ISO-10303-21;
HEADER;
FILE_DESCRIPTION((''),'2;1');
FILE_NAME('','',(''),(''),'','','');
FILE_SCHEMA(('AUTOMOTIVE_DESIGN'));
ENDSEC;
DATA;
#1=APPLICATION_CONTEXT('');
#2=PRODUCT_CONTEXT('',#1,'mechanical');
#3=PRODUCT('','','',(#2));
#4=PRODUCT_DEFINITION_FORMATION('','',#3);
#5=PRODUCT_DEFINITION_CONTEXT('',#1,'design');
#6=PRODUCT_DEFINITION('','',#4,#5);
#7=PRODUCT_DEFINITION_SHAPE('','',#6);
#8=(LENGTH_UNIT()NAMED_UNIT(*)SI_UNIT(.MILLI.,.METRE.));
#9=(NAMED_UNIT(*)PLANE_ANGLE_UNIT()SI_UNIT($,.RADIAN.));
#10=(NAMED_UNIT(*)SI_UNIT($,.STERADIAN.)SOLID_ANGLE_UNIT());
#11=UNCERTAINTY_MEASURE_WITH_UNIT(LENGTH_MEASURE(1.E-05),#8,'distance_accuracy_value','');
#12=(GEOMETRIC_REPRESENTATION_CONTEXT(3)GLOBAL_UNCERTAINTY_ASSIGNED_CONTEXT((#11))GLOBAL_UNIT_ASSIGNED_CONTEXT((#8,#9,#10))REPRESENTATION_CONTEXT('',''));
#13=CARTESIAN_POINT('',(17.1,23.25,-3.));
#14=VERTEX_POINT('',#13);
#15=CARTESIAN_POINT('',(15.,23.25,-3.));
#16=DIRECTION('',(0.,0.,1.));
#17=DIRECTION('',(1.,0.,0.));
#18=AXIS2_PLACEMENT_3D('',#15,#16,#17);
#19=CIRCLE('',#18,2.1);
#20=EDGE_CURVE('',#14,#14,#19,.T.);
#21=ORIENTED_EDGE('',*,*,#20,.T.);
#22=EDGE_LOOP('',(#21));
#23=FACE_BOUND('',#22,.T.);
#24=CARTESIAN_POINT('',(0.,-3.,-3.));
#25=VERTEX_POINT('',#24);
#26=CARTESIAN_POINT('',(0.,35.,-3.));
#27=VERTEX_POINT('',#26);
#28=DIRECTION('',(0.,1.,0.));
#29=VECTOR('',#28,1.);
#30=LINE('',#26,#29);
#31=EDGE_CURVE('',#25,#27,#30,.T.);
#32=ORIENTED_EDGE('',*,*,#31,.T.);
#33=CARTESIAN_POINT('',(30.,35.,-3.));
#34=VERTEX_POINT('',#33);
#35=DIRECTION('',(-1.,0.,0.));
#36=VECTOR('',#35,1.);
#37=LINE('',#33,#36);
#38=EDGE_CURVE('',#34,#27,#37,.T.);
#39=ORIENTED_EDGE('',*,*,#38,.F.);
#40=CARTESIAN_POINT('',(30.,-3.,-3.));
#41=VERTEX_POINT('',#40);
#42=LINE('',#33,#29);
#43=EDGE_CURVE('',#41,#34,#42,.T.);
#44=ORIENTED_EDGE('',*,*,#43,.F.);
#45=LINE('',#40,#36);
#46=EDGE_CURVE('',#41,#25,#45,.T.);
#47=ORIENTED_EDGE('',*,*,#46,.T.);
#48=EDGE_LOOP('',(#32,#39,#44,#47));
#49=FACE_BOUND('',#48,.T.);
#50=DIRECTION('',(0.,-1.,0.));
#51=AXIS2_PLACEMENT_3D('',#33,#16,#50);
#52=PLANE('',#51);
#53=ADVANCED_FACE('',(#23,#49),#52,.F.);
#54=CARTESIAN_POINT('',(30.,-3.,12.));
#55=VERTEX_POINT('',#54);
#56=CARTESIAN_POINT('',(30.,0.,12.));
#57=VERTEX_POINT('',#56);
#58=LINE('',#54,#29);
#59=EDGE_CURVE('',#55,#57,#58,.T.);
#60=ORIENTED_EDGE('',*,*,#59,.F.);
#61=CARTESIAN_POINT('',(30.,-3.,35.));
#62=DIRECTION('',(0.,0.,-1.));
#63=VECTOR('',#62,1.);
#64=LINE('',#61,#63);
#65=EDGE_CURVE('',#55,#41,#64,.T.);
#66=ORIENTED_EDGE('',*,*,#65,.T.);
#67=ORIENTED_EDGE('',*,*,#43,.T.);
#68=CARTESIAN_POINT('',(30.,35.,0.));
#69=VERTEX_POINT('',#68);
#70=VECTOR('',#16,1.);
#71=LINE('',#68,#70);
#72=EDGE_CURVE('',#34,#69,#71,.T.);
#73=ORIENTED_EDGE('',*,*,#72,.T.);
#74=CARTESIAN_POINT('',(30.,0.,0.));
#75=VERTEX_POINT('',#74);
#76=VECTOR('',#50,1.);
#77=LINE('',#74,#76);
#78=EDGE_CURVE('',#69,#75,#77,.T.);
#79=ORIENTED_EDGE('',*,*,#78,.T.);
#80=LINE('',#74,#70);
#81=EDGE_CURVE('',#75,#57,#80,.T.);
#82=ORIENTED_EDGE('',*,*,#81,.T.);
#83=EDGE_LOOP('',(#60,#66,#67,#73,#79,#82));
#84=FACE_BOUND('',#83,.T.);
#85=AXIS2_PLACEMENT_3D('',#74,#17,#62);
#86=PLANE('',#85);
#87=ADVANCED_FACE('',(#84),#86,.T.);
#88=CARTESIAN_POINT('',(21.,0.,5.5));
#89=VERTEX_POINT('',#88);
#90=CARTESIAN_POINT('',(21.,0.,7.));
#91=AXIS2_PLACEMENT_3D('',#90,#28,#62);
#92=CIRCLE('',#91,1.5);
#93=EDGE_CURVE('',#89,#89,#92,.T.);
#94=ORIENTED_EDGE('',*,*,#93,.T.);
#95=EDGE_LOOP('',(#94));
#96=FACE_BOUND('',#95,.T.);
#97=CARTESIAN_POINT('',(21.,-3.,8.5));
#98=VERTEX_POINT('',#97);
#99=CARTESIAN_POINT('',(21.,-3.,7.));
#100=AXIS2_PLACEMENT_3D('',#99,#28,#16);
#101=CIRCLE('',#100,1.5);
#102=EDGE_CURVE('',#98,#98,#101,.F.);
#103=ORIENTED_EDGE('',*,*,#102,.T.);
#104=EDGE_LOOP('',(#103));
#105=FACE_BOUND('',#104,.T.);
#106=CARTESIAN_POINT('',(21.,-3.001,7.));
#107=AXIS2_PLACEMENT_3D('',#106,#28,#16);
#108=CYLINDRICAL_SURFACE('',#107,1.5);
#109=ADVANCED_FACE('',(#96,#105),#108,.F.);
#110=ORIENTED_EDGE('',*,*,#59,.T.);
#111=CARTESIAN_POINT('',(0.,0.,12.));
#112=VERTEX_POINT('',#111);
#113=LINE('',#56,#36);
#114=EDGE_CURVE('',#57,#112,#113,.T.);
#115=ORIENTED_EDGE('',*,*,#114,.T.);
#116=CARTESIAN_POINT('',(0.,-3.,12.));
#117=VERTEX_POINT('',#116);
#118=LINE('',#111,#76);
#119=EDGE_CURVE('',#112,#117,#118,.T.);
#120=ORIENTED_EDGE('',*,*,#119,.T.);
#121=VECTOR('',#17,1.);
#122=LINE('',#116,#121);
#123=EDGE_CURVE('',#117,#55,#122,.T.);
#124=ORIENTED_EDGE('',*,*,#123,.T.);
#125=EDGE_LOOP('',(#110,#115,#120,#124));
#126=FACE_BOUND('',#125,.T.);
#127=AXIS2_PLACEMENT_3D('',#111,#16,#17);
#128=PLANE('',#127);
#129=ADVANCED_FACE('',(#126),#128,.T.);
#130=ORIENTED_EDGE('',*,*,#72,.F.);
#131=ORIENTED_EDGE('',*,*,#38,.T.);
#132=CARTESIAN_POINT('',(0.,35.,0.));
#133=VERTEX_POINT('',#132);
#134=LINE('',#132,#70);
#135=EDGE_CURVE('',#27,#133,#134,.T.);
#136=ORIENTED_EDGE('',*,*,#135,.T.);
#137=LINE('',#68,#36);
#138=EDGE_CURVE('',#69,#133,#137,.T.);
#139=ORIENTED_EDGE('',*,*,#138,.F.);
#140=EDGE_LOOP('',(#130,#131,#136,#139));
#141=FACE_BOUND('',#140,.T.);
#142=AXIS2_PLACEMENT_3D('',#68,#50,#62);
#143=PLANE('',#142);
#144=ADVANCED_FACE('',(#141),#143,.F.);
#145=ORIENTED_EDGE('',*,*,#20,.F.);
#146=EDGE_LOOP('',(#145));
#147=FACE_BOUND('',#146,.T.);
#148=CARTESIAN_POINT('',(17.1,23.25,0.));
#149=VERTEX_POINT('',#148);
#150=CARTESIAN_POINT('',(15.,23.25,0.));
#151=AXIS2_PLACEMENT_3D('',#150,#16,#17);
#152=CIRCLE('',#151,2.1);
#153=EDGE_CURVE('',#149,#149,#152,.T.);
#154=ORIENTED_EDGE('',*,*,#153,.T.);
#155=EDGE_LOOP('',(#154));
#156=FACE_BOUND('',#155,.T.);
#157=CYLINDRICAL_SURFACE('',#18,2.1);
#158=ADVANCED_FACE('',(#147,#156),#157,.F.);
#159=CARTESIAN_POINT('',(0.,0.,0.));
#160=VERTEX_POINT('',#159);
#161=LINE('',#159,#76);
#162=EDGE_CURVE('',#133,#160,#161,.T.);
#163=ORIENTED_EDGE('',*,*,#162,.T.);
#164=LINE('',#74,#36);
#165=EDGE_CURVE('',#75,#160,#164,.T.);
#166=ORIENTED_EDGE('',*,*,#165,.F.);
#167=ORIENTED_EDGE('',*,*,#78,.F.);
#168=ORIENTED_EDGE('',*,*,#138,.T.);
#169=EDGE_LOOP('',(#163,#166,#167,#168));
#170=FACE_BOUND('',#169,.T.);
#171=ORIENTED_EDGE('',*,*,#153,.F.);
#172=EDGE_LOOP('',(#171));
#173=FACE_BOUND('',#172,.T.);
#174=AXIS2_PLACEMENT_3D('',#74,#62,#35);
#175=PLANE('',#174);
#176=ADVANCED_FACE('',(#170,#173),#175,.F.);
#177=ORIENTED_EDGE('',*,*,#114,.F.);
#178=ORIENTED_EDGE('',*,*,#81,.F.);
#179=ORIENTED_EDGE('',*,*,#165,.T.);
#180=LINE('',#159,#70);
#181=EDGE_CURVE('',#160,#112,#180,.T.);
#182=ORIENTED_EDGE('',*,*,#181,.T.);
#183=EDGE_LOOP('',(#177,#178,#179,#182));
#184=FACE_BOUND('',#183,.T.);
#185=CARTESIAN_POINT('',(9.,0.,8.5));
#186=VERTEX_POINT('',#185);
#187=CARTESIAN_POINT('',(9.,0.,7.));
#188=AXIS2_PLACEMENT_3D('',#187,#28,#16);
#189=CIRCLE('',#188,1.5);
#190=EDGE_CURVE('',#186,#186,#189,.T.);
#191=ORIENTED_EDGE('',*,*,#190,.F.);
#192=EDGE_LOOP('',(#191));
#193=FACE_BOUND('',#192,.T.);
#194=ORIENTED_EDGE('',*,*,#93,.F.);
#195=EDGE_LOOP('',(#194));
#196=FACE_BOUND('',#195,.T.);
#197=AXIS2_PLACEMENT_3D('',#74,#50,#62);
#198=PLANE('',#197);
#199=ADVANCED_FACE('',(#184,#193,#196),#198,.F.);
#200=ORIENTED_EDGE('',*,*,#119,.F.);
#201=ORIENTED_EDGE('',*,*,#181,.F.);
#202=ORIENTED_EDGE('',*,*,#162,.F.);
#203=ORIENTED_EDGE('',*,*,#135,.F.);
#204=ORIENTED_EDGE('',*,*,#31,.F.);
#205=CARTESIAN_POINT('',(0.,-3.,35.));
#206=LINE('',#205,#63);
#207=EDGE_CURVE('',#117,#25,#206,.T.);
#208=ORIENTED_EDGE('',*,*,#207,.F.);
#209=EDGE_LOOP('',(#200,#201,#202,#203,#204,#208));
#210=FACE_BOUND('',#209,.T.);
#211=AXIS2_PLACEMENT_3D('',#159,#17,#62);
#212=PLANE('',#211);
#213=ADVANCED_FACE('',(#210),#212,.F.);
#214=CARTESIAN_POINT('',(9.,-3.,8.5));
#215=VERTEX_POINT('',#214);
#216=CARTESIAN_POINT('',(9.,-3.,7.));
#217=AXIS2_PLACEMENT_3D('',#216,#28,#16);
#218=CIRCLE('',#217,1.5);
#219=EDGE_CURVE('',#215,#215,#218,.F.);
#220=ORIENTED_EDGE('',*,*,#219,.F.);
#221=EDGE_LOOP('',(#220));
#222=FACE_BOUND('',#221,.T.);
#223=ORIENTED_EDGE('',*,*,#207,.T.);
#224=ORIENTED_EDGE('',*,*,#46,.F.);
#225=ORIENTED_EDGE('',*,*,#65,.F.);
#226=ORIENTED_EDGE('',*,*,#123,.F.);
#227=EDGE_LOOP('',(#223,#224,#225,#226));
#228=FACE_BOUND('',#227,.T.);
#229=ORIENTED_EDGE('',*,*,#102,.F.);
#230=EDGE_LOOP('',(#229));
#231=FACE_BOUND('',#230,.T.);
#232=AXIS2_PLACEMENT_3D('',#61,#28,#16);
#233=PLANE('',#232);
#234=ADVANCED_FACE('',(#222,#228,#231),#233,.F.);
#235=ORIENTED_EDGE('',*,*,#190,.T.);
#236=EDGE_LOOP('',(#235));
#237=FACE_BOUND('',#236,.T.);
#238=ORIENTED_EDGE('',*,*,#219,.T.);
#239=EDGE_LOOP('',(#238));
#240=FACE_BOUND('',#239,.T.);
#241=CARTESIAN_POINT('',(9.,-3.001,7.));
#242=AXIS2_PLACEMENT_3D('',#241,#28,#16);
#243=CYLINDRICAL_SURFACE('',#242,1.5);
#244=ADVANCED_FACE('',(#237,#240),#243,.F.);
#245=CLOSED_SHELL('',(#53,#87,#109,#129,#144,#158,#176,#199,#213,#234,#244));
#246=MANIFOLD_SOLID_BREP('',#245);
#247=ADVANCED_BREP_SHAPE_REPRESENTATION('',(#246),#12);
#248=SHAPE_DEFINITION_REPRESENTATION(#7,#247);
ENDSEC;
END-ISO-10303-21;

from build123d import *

# Parameters (mm, degrees)
EXTRUDE_1_DEPTH     = 30
CUT_EXTRUDE_1_REACH = 59.879
SKETCH_2_R          = 1.5
SKETCH_2_W          = 30
SKETCH_2_H          = 10
SKETCH_3_R          = 2.1
CUT_EXTRUDE_2_DEPTH = 53.440442409
SKETCH_4_W          = 30
SKETCH_4_H          = 3
CUT_EXTRUDE_3_DEPTH = 13


with BuildPart() as part:
    # 草图1 → 凸台-拉伸1 (new body)
    with BuildSketch(Plane(origin=(0, 0, 0), x_dir=(0, 0, -1), z_dir=(1, 0, 0))):
        Polygon((0, 0), (0, 35), (3, 35), (3, -3), (-35, -3), (-35, 0), align=None)
    extrude(amount=EXTRUDE_1_DEPTH)

    # 草图2 → 切除-拉伸1 (cut, up to next)
    with BuildSketch(Plane(origin=(0, 0, 0), x_dir=(1, 0, 0), z_dir=(0, 1, 0)), mode=Mode.PRIVATE) as cut_extrude_1_sk1:
        with Locations(Location((9, -7, 0), (0, 0, 270))):
            Circle(SKETCH_2_R)
    cut_extrude_1_tool1 = extrude(cut_extrude_1_sk1.sketch, amount=-CUT_EXTRUDE_1_REACH, mode=Mode.PRIVATE) & part.part
    # 草图2 → 切除-拉伸1 (cut, up to next)
    with BuildSketch(Plane(origin=(0, 0, 0), x_dir=(1, 0, 0), z_dir=(0, 1, 0)), mode=Mode.PRIVATE) as cut_extrude_1_sk2:
        with Locations(Location((9, -19, 0), (0, 0, 270))):
            Circle(SKETCH_2_R)
    cut_extrude_1_tool2 = extrude(cut_extrude_1_sk2.sketch, amount=-CUT_EXTRUDE_1_REACH, mode=Mode.PRIVATE) & part.part
    # 草图2 → 切除-拉伸1 (cut, up to next)
    with BuildSketch(Plane(origin=(0, 0, 0), x_dir=(1, 0, 0), z_dir=(0, 1, 0)), mode=Mode.PRIVATE) as cut_extrude_1_sk3:
        with Locations(Location((21, -19, 0), (0, 0, 270))):
            Circle(SKETCH_2_R)
    cut_extrude_1_tool3 = extrude(cut_extrude_1_sk3.sketch, amount=-CUT_EXTRUDE_1_REACH, mode=Mode.PRIVATE) & part.part
    # 草图2 → 切除-拉伸1 (cut, up to next)
    with BuildSketch(Plane(origin=(0, 0, 0), x_dir=(1, 0, 0), z_dir=(0, 1, 0)), mode=Mode.PRIVATE) as cut_extrude_1_sk4:
        with Locations(Location((21, -7, 0), (0, 0, 270))):
            Circle(SKETCH_2_R)
    cut_extrude_1_tool4 = extrude(cut_extrude_1_sk4.sketch, amount=-CUT_EXTRUDE_1_REACH, mode=Mode.PRIVATE) & part.part
    # 草图2 → 切除-拉伸1 (cut, up to next)
    with BuildSketch(Plane(origin=(0, 0, 0), x_dir=(1, 0, 0), z_dir=(0, 1, 0)), mode=Mode.PRIVATE) as cut_extrude_1_sk5:
        with Locations((15, -30)):
            Rectangle(SKETCH_2_W, SKETCH_2_H)
    cut_extrude_1_tool5 = extrude(cut_extrude_1_sk5.sketch, amount=-CUT_EXTRUDE_1_REACH, mode=Mode.PRIVATE) & part.part
    add(cut_extrude_1_tool1.solids().sort_by_distance((9, 0, 7))[0], mode=Mode.SUBTRACT)
    add(cut_extrude_1_tool2.solids().sort_by_distance((9, 0, 19))[0], mode=Mode.SUBTRACT)
    add(cut_extrude_1_tool3.solids().sort_by_distance((21, 0, 19))[0], mode=Mode.SUBTRACT)
    add(cut_extrude_1_tool4.solids().sort_by_distance((21, 0, 7))[0], mode=Mode.SUBTRACT)
    add(cut_extrude_1_tool5.solids().sort_by_distance((15, 0, 30))[0], mode=Mode.SUBTRACT)

    # 草图3 → 切除-拉伸2 (cut, through all)
    with BuildSketch(Plane.XY):
        with Locations((15, 23.25)):
            Circle(SKETCH_3_R)
    extrude(amount=-CUT_EXTRUDE_2_DEPTH, mode=Mode.SUBTRACT)

    # 草图4 → 切除-拉伸3 (cut)
    with BuildSketch(Plane.XY.offset(25)):
        with Locations((15, -1.5)):
            Rectangle(SKETCH_4_W, SKETCH_4_H)
    extrude(amount=-CUT_EXTRUDE_3_DEPTH, mode=Mode.SUBTRACT)


solid = part.part
